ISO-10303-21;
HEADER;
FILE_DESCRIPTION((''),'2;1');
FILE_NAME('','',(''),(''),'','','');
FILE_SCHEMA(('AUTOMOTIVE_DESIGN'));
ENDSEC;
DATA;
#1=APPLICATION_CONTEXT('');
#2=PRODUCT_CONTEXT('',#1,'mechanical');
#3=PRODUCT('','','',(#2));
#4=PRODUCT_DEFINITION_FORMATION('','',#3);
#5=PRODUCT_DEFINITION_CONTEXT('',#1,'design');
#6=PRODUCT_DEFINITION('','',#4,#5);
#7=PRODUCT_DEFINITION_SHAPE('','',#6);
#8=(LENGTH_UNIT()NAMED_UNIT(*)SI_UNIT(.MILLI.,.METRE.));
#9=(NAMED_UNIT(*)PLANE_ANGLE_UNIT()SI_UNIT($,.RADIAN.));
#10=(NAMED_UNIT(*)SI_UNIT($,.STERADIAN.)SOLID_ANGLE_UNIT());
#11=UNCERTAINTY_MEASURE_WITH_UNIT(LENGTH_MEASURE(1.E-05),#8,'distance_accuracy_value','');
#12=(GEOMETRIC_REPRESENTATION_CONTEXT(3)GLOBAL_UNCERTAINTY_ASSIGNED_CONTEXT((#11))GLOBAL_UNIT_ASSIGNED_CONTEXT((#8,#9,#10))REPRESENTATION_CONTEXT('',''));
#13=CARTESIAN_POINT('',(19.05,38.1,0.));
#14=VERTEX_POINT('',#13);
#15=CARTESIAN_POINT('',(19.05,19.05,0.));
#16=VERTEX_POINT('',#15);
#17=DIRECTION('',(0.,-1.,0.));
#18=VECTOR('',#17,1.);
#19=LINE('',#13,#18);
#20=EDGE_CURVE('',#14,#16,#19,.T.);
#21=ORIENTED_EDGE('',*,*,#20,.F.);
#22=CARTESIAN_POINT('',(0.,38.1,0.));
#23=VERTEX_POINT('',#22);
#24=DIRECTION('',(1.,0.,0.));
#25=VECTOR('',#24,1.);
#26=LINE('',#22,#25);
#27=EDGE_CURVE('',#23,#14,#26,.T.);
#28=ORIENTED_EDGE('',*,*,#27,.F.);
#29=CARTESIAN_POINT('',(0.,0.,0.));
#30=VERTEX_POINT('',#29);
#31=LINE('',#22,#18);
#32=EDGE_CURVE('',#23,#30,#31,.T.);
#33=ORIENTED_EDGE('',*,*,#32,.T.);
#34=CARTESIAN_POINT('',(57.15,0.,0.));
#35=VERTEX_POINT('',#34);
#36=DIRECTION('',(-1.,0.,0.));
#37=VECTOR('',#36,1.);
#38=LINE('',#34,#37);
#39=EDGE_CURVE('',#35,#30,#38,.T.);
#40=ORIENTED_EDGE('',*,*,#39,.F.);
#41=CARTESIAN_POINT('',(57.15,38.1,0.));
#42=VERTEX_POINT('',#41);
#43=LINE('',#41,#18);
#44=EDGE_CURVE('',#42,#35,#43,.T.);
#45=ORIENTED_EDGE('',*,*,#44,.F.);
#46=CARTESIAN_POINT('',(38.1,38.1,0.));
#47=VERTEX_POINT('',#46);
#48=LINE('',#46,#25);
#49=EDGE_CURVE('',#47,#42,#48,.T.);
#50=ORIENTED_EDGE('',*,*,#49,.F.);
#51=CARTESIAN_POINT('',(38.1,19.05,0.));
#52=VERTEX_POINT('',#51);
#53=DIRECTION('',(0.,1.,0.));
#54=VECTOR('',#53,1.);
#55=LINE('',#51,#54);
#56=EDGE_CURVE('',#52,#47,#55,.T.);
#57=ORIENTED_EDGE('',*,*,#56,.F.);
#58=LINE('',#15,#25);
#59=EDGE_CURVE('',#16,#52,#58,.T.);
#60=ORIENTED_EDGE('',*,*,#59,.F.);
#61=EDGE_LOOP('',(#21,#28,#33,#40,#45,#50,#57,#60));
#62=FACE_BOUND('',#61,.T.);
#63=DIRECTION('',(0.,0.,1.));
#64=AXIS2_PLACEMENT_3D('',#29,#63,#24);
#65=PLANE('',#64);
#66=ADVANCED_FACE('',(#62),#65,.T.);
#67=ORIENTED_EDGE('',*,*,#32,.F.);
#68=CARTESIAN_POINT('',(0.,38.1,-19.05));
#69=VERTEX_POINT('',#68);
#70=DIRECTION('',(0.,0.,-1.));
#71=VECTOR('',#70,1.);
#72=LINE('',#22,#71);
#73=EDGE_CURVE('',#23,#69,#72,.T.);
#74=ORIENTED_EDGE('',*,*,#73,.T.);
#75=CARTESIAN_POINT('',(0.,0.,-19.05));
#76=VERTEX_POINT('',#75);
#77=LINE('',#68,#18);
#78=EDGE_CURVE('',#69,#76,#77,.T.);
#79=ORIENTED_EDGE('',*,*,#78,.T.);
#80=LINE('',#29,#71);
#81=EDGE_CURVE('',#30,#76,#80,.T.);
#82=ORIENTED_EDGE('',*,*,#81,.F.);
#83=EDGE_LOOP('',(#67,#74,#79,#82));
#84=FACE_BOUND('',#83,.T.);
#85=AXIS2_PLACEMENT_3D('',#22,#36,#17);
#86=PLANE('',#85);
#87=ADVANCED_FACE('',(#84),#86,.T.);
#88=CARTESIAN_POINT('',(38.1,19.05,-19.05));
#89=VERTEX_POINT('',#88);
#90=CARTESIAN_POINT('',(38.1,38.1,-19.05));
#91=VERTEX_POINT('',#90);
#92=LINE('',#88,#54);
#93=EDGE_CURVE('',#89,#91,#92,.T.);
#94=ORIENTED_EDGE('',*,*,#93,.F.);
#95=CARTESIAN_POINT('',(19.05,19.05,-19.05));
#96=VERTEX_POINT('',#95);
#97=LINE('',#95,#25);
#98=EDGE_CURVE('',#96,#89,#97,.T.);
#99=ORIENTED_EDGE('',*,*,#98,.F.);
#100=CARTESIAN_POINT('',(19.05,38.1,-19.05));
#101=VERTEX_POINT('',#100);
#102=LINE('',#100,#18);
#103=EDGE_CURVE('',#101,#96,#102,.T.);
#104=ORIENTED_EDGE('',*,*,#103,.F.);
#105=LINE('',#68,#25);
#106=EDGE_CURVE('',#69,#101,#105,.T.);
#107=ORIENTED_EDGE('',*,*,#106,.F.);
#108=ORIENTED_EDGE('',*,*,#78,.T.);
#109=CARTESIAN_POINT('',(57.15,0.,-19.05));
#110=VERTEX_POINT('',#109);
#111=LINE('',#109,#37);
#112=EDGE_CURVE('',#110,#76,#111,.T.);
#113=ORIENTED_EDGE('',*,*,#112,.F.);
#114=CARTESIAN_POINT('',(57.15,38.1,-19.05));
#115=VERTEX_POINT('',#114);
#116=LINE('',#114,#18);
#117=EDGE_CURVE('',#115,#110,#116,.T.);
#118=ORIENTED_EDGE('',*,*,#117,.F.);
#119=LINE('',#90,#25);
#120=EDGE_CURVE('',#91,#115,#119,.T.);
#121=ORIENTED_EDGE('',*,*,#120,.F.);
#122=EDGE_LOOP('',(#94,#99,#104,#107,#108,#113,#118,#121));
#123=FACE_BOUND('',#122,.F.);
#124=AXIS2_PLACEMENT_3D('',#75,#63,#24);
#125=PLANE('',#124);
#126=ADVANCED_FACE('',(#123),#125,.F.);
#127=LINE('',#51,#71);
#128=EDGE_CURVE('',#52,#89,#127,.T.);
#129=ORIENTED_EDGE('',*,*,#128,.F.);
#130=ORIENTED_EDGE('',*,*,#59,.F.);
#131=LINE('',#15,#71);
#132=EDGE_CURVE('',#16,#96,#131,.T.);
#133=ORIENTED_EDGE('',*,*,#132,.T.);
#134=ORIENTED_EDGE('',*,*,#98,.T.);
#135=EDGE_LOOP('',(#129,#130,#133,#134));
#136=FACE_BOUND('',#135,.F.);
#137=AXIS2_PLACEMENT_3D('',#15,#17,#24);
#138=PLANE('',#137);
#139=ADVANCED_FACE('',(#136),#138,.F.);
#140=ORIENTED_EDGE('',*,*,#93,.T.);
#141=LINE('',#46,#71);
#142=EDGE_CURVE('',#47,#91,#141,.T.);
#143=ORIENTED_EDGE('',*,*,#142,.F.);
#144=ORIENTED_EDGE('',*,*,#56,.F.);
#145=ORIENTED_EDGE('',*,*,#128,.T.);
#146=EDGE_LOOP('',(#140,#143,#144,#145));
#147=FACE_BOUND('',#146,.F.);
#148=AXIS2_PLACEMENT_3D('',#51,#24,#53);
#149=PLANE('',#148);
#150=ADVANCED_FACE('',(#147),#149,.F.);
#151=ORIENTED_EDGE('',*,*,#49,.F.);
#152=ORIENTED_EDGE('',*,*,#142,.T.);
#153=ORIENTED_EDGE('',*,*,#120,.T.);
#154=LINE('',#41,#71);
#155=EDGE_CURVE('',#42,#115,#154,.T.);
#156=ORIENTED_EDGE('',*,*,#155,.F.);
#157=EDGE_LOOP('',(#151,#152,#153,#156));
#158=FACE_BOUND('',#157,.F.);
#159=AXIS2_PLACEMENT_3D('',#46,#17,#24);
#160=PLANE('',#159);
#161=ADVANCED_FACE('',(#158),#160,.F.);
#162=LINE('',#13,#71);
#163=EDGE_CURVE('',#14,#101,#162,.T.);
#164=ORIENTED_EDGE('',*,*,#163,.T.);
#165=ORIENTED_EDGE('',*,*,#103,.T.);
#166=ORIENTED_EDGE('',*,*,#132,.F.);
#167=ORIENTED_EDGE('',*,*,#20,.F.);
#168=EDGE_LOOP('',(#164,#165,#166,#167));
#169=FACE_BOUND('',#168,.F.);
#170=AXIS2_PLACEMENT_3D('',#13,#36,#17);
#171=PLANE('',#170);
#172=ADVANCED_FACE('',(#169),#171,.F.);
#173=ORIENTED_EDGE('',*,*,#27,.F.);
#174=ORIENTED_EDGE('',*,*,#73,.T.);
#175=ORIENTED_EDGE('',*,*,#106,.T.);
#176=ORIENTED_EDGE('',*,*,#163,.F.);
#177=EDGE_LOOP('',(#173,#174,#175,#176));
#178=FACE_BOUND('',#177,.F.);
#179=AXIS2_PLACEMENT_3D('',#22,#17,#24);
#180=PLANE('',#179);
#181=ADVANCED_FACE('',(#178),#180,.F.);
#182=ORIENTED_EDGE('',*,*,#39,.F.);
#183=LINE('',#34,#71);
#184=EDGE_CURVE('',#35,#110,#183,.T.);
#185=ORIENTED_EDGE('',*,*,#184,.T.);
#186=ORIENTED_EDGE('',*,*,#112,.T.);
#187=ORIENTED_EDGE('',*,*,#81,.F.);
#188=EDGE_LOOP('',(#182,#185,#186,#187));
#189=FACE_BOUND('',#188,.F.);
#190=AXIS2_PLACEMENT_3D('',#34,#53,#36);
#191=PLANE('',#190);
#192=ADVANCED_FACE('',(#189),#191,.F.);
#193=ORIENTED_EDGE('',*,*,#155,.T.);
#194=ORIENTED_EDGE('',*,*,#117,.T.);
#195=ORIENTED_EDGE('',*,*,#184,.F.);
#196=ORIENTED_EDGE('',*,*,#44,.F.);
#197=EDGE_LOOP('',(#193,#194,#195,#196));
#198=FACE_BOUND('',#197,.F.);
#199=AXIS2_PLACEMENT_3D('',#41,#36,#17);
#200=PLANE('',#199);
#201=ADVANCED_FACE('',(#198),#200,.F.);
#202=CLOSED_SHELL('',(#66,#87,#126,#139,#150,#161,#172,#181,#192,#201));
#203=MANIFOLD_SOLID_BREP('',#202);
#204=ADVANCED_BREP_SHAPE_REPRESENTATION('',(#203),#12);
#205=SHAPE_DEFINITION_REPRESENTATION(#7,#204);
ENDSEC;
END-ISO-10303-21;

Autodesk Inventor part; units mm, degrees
ref_plane "YZ Plane" through (0, 0, 0) normal (1, 0, 0) x (0, 1, 0)
ref_plane "XZ Plane" through (0, 0, 0) normal (0, 1, 0) x (-1, 0, 0)
ref_plane "XY Plane" through (0, 0, 0) normal (0, 0, 1) x (1, 0, 0)
sketch "Sketch1" plane through (0, 0, 0) normal (0, 0, 1) x (1, 0, 0)
  point P0 (0, 0)
sketch "Sketch2" plane through (0, 0, 0) normal (0, 0, 1) x (1, 0, 0)
  line L0 (0, 38.1) -> (0, 0)
  line L1 (0, 38.1) -> (19.05, 38.1)
  line L2 (19.05, 38.1) -> (19.05, 19.05)
  line L3 (19.05, 19.05) -> (38.1, 19.05)
  line L4 (38.1, 19.05) -> (38.1, 38.1)
  line L5 (38.1, 38.1) -> (57.15, 38.1)
  line L6 (57.15, 38.1) -> (57.15, 0)
  line L7 (57.15, 0) -> (0, 0)
  dimension "d0" = 38.1
  dimension "d1" = 19.05
  dimension "d2" = 19.05
  dimension "d3" = 19.05
  dimension "d4" = 19.05
  dimension "d5" = 19.05
extrude "Extrusion1" add sketch "Sketch2" against normal blind 19.05
equation "\"d0\" = 2 * cube"
equation "\"d1\" = cube"
equation "\"d2\" = cube"
equation "\"d3\" = cube"
equation "\"d5\" = cube"
equation "\"d6\" = cube"
equation "\"cube\" = 19.05"
properties part number "IED7_Sun_PuzzleCubeRed"
